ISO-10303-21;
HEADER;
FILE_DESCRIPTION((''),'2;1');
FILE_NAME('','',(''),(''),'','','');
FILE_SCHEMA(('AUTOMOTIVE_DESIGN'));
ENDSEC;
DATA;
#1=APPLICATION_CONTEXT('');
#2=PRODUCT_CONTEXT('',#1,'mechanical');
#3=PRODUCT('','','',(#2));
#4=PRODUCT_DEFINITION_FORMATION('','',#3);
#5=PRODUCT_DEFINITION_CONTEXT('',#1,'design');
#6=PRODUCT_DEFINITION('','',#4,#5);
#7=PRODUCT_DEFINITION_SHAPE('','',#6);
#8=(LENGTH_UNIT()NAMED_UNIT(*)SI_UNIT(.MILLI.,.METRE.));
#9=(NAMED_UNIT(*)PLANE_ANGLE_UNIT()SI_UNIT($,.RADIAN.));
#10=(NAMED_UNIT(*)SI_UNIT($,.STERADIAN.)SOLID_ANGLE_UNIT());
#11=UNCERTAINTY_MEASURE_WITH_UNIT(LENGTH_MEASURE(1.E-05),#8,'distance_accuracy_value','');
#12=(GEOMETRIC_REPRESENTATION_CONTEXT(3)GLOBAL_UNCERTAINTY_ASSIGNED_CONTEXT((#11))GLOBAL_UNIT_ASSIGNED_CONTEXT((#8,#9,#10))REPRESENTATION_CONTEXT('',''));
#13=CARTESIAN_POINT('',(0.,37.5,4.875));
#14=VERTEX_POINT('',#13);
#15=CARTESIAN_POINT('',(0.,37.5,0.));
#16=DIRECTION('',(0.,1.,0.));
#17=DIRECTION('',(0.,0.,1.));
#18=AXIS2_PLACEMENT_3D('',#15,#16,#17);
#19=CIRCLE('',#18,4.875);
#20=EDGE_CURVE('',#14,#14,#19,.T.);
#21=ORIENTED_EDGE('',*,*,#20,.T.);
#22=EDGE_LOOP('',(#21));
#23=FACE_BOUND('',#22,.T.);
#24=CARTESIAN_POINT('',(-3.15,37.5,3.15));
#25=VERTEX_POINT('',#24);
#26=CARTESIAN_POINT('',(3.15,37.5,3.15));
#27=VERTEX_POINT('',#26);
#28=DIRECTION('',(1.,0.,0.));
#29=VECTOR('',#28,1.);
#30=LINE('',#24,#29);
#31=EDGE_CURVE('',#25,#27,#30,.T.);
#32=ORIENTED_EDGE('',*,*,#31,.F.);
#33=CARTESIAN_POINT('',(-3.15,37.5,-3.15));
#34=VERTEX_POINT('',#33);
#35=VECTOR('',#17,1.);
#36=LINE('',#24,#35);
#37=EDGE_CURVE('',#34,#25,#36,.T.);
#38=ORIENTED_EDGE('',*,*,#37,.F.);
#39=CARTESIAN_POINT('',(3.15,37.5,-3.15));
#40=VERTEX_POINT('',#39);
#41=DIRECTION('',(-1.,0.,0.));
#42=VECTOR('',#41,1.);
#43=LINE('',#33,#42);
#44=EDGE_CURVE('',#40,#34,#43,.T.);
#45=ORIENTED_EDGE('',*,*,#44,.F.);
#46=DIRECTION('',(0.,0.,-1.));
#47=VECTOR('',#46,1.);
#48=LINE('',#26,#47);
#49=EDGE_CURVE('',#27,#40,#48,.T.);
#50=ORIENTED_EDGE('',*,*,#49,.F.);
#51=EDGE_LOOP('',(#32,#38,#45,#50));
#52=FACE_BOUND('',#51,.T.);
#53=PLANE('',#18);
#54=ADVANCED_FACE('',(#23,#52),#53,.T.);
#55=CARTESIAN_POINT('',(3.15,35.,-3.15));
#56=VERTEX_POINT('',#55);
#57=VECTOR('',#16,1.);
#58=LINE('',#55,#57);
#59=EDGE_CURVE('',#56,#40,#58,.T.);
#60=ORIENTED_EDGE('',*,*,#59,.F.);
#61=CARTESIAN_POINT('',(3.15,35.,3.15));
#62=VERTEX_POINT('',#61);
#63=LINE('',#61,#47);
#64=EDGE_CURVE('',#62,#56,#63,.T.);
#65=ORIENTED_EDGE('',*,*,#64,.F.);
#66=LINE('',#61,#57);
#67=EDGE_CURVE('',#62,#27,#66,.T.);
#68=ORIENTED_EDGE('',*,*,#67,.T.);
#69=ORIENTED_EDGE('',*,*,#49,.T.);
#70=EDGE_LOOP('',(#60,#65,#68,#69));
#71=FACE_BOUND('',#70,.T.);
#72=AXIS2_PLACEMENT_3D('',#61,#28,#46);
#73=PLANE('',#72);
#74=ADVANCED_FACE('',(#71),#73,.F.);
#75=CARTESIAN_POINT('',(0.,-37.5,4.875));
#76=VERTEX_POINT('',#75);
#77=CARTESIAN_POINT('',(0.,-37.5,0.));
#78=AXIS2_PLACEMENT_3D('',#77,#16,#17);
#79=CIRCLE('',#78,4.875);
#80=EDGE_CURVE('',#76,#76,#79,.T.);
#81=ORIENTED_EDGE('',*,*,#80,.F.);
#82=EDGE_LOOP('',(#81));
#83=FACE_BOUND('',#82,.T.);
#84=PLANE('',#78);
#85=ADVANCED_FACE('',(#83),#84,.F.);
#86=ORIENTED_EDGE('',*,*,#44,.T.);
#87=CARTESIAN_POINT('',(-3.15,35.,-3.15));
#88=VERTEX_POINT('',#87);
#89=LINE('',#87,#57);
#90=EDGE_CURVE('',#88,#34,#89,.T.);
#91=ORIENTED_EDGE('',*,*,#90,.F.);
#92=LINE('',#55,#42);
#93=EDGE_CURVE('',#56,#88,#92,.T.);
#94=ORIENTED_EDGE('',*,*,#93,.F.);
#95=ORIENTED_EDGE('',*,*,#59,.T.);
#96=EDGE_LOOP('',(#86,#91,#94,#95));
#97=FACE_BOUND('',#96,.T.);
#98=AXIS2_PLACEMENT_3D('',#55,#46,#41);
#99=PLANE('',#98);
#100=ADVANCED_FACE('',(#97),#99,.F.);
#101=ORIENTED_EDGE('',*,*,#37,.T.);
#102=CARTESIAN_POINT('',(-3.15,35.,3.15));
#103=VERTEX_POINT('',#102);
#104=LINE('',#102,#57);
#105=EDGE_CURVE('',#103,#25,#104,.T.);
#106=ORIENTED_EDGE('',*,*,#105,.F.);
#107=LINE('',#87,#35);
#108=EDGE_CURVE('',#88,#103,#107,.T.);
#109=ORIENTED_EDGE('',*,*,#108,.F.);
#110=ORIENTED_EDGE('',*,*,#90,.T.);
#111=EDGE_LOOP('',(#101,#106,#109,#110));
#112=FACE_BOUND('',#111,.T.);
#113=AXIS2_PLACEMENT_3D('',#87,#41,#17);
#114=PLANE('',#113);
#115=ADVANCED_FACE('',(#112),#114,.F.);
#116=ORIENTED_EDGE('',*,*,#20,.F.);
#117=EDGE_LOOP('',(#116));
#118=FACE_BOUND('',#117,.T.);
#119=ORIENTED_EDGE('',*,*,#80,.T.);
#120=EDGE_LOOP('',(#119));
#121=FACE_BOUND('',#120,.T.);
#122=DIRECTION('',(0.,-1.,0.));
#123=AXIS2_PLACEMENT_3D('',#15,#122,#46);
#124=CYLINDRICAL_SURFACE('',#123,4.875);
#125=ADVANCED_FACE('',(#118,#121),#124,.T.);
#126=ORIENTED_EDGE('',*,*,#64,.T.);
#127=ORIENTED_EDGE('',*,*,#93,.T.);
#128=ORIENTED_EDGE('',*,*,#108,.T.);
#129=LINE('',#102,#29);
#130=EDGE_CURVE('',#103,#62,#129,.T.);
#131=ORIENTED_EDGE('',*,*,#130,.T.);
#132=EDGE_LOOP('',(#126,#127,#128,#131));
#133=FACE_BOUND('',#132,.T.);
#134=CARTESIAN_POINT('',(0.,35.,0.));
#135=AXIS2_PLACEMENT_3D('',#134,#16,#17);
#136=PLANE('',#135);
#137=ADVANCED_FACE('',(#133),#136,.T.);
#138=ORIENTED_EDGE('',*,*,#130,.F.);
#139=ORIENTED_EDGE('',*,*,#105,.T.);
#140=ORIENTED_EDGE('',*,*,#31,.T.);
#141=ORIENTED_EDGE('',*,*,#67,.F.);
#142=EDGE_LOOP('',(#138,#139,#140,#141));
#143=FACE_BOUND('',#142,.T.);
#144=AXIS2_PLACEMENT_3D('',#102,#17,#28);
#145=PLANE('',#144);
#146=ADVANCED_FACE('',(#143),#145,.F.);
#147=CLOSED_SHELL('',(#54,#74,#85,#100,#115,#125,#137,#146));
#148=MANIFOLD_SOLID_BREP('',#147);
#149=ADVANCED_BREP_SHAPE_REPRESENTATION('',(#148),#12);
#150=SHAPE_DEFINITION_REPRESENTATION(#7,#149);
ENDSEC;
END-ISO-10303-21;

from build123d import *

# Parameters (mm, degrees)
SKETCH1_R           = 4.875
BOSS_EXTRUDE1_DEPTH = 37.5
SKETCH2_W           = 6.3
SKETCH2_H           = 6.3
BOSS_EXTRUDE2_DEPTH = 2.5
SKETCH3_W           = 6.3
SKETCH3_H           = 6.3
CUT_EXTRUDE1_DEPTH  = 5


with BuildPart() as part:
    # Sketch1 → Boss-Extrude1 (new body, symmetric)
    with BuildSketch(Plane(origin=(0, 0, 0), x_dir=(1, 0, 0), z_dir=(0, 1, 0))):
        Circle(SKETCH1_R)
    extrude(amount=BOSS_EXTRUDE1_DEPTH, both=True)

    # Sketch2 → Boss-Extrude2 (add)
    with BuildSketch(Plane(origin=(0, 37.5, 0), x_dir=(1, 0, 0), z_dir=(0, 1, 0))):
        Rectangle(SKETCH2_W, SKETCH2_H)
    extrude(amount=BOSS_EXTRUDE2_DEPTH)

    # Sketch3 → Cut-Extrude1 (cut)
    with BuildSketch(Plane(origin=(0, 40, 0), x_dir=(1, 0, 0), z_dir=(0, 1, 0))):
        Rectangle(SKETCH3_W, SKETCH3_H)
    extrude(amount=-CUT_EXTRUDE1_DEPTH, mode=Mode.SUBTRACT)


solid = part.part
